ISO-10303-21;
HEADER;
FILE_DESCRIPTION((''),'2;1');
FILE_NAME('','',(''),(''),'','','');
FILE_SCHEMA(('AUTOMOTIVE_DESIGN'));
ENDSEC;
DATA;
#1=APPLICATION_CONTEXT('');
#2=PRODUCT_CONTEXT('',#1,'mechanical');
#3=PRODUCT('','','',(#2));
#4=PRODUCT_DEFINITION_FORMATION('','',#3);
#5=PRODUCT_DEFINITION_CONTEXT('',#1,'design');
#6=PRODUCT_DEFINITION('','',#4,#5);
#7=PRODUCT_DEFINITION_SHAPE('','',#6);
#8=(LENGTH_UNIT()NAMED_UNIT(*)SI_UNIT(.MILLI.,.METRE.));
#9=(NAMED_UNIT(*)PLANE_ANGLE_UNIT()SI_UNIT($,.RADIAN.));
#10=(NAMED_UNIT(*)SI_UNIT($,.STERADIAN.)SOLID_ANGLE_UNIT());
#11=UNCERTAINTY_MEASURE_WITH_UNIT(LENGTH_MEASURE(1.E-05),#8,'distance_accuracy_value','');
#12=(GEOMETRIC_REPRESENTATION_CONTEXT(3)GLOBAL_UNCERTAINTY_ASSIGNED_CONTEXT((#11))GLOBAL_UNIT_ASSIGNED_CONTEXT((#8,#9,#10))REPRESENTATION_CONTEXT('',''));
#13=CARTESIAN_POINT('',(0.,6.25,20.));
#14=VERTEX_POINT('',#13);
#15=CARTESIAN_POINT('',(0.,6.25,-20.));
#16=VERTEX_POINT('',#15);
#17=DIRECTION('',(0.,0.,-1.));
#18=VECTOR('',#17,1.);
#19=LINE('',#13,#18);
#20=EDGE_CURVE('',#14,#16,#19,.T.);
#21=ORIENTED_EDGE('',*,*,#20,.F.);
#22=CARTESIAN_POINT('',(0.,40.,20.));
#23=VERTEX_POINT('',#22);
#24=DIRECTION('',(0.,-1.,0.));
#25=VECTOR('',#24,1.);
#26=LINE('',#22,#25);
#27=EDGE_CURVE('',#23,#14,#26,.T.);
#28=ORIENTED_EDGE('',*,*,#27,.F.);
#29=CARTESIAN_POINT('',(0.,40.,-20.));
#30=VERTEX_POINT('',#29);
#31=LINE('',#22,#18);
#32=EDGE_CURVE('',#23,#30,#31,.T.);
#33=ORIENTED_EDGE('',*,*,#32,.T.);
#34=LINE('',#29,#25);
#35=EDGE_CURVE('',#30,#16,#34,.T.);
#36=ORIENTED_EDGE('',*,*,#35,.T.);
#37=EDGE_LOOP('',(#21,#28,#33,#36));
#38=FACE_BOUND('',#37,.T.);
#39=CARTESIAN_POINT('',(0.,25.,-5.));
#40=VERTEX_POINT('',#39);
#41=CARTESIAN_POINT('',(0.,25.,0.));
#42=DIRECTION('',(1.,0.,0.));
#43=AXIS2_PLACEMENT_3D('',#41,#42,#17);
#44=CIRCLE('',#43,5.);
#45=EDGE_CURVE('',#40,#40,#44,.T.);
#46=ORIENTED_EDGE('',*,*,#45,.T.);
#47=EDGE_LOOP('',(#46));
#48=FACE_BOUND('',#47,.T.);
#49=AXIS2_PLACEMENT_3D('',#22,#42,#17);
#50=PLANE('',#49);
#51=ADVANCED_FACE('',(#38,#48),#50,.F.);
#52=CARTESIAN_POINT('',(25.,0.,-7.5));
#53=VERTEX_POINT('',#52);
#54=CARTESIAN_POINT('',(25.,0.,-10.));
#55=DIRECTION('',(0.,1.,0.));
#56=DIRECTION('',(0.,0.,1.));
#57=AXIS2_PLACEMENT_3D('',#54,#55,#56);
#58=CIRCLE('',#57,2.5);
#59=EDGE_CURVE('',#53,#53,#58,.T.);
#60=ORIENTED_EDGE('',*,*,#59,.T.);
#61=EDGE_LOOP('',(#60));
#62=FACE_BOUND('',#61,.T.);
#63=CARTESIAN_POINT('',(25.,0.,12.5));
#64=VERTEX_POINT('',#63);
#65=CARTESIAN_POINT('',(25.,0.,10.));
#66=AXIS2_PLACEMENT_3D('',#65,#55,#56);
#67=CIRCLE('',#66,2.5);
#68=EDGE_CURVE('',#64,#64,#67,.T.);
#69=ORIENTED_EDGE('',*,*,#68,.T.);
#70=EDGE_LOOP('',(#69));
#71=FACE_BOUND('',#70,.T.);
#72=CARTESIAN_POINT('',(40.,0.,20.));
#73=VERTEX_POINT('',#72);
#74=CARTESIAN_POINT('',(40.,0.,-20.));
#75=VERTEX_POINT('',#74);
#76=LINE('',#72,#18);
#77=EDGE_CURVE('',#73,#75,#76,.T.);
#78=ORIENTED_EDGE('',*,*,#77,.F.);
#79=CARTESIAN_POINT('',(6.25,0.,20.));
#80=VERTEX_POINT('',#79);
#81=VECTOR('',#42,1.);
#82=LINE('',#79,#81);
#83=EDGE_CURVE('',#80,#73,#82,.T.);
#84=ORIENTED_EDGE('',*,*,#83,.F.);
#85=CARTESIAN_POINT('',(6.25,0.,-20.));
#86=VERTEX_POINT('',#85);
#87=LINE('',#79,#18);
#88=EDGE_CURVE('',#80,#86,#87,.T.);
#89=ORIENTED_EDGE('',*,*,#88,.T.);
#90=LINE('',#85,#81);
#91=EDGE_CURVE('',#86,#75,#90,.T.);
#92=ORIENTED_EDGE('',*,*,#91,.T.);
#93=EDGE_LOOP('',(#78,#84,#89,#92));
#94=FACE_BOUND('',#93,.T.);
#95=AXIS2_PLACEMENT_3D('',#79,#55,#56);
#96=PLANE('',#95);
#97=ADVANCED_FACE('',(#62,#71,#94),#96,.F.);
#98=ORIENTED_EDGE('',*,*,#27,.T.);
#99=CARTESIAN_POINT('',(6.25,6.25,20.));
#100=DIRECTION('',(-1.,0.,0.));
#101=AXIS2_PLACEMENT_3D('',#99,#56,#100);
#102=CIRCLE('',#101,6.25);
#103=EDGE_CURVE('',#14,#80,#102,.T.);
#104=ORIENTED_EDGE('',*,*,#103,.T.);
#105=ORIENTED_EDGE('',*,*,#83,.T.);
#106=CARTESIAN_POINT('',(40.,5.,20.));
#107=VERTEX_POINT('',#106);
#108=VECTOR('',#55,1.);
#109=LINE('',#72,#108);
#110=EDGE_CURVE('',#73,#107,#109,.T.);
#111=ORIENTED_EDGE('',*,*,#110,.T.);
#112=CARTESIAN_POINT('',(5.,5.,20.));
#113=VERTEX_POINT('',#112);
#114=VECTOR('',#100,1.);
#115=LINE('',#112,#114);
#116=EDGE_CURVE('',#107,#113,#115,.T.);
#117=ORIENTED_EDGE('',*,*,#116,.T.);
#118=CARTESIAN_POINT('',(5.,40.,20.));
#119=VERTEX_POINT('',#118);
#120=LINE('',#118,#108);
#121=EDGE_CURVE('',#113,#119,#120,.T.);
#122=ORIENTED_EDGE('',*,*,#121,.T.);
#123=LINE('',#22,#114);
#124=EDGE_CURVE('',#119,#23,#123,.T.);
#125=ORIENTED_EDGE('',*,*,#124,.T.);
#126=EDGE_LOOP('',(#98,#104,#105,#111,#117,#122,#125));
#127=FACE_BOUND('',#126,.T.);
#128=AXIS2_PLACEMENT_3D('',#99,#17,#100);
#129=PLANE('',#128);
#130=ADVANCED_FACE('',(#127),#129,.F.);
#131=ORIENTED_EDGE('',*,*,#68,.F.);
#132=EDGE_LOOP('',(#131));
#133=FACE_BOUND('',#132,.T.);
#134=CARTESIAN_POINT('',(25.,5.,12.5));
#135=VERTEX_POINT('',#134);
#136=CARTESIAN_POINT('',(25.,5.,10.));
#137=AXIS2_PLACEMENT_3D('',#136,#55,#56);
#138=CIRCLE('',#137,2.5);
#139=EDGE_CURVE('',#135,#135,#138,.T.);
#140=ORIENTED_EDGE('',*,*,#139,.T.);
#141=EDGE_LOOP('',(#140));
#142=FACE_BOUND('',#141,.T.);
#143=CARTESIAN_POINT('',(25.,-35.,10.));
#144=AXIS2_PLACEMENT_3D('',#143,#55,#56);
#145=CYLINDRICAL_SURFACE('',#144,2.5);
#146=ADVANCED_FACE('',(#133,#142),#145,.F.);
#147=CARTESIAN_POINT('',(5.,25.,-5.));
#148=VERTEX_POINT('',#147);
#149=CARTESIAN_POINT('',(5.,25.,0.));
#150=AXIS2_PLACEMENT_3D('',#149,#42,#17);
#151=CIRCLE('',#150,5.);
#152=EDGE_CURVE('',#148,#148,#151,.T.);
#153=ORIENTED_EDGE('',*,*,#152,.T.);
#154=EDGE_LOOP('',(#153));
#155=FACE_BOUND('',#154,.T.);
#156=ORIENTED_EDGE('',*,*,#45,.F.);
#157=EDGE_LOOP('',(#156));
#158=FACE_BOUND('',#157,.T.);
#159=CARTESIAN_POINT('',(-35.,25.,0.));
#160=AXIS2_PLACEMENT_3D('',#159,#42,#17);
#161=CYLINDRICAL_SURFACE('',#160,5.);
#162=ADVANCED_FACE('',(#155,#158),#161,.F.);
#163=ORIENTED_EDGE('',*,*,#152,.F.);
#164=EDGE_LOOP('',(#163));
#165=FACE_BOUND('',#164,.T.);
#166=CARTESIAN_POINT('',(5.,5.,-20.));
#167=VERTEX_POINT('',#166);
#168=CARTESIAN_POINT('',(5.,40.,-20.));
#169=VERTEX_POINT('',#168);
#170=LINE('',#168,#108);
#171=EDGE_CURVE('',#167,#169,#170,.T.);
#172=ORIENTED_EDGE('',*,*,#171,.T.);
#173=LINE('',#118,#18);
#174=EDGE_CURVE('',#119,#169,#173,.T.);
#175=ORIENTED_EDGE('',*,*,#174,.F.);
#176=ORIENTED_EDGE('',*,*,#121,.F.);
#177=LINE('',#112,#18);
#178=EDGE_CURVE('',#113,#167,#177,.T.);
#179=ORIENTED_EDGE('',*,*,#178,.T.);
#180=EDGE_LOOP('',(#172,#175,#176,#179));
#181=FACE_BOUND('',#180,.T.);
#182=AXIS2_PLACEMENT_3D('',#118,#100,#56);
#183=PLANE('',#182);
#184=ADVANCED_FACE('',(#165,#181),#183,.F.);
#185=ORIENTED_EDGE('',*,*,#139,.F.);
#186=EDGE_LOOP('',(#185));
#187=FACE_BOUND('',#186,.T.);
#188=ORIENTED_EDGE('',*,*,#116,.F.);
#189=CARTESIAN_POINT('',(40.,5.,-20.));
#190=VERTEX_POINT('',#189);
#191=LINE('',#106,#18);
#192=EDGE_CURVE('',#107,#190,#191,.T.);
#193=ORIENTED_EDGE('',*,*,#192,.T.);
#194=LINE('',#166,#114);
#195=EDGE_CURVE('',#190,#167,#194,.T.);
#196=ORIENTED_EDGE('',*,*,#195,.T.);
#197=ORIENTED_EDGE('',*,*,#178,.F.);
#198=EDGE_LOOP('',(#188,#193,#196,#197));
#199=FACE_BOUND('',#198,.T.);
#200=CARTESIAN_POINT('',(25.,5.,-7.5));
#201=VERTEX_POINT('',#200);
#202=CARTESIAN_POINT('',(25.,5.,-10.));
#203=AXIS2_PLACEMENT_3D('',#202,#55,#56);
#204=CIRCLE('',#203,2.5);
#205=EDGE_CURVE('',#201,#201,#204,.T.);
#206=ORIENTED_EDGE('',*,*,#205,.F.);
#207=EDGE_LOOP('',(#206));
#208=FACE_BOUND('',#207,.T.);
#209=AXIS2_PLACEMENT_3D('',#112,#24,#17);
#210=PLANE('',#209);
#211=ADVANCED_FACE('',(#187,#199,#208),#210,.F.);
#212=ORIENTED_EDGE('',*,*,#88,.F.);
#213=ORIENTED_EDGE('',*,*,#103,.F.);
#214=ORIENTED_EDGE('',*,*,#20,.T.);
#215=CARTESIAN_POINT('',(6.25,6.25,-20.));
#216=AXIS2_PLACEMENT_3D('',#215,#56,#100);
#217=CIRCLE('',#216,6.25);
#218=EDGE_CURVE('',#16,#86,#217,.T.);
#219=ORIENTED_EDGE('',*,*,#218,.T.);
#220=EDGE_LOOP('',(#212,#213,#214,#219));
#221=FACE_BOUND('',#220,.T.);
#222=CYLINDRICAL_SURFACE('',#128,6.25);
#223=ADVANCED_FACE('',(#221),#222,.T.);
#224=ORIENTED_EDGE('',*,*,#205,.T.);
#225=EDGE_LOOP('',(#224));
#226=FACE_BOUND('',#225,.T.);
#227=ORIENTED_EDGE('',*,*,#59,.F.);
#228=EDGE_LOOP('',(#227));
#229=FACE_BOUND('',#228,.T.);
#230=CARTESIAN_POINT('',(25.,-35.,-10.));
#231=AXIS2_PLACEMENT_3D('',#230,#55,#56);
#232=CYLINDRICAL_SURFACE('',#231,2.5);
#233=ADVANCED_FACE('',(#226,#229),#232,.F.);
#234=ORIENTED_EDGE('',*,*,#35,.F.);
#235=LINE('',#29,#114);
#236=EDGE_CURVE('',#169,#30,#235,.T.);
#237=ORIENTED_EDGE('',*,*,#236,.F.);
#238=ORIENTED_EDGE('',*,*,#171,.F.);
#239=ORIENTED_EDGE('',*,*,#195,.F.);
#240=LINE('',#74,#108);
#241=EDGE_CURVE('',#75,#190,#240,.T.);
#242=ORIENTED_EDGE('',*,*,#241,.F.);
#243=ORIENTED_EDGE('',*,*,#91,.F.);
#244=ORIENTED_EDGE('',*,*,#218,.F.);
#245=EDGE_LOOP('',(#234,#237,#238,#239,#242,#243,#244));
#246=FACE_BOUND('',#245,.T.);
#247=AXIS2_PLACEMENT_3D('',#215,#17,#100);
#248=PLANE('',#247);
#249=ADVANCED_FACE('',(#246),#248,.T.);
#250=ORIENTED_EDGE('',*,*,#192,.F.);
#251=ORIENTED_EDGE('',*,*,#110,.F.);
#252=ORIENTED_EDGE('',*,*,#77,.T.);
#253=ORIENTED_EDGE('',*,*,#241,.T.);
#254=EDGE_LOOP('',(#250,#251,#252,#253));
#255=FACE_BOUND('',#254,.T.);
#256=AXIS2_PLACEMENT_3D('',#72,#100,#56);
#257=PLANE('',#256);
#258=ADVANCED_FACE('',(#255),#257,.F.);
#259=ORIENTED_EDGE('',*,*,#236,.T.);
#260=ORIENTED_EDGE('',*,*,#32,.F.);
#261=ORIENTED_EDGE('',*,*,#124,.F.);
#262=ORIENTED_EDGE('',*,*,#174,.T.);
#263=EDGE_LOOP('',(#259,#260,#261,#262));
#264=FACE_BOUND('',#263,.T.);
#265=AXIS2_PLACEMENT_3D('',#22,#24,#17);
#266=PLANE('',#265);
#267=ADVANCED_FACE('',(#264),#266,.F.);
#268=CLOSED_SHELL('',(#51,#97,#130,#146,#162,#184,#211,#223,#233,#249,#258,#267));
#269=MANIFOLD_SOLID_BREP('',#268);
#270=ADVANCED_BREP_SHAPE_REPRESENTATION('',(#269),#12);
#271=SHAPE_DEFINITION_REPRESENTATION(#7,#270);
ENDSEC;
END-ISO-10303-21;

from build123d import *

# Parameters (mm, degrees)
BOSS_EXTRUDE3_DEPTH = 20
SKETCH4_R           = 2.5
CUT_EXTRUDE2_DEPTH  = 40
SKETCH5_R           = 5
CUT_EXTRUDE3_DEPTH  = 40


with BuildPart() as part:
    # Sketch1 → Boss-Extrude3 (new, symmetric)
    with BuildSketch(Plane.XY):
        with BuildLine():
            Line((0, 40), (0, 6.25))
            ThreePointArc((0, 6.25), (1.830582618, 1.830582618), (6.25, 0))
            Line((6.25, 0), (40, 0))
            Line((40, 0), (40, 5))
            Line((40, 5), (5, 5))
            Line((5, 5), (5, 40))
            Line((5, 40), (0, 40))
        make_face()
    extrude(amount=BOSS_EXTRUDE3_DEPTH, both=True)

    # Sketch4 → Cut-Extrude2 (cut)
    with BuildSketch(Plane(origin=(0, 5, 0), x_dir=(1, 0, 0), z_dir=(0, 1, 0))):
        with Locations(Location((25, -10, 0), (0, 0, 270))):
            Circle(SKETCH4_R)
        with Locations(Location((25, 10, 0), (0, 0, 270))):
            Circle(SKETCH4_R)
    extrude(amount=-CUT_EXTRUDE2_DEPTH, mode=Mode.SUBTRACT)

    # Sketch5 → Cut-Extrude3 (cut)
    with BuildSketch(Plane(origin=(5, 0, 0), x_dir=(0, 0, -1), z_dir=(1, 0, 0))):
        with Locations((0, 25)):
            Circle(SKETCH5_R)
    extrude(amount=-CUT_EXTRUDE3_DEPTH, mode=Mode.SUBTRACT)


solid = part.part
